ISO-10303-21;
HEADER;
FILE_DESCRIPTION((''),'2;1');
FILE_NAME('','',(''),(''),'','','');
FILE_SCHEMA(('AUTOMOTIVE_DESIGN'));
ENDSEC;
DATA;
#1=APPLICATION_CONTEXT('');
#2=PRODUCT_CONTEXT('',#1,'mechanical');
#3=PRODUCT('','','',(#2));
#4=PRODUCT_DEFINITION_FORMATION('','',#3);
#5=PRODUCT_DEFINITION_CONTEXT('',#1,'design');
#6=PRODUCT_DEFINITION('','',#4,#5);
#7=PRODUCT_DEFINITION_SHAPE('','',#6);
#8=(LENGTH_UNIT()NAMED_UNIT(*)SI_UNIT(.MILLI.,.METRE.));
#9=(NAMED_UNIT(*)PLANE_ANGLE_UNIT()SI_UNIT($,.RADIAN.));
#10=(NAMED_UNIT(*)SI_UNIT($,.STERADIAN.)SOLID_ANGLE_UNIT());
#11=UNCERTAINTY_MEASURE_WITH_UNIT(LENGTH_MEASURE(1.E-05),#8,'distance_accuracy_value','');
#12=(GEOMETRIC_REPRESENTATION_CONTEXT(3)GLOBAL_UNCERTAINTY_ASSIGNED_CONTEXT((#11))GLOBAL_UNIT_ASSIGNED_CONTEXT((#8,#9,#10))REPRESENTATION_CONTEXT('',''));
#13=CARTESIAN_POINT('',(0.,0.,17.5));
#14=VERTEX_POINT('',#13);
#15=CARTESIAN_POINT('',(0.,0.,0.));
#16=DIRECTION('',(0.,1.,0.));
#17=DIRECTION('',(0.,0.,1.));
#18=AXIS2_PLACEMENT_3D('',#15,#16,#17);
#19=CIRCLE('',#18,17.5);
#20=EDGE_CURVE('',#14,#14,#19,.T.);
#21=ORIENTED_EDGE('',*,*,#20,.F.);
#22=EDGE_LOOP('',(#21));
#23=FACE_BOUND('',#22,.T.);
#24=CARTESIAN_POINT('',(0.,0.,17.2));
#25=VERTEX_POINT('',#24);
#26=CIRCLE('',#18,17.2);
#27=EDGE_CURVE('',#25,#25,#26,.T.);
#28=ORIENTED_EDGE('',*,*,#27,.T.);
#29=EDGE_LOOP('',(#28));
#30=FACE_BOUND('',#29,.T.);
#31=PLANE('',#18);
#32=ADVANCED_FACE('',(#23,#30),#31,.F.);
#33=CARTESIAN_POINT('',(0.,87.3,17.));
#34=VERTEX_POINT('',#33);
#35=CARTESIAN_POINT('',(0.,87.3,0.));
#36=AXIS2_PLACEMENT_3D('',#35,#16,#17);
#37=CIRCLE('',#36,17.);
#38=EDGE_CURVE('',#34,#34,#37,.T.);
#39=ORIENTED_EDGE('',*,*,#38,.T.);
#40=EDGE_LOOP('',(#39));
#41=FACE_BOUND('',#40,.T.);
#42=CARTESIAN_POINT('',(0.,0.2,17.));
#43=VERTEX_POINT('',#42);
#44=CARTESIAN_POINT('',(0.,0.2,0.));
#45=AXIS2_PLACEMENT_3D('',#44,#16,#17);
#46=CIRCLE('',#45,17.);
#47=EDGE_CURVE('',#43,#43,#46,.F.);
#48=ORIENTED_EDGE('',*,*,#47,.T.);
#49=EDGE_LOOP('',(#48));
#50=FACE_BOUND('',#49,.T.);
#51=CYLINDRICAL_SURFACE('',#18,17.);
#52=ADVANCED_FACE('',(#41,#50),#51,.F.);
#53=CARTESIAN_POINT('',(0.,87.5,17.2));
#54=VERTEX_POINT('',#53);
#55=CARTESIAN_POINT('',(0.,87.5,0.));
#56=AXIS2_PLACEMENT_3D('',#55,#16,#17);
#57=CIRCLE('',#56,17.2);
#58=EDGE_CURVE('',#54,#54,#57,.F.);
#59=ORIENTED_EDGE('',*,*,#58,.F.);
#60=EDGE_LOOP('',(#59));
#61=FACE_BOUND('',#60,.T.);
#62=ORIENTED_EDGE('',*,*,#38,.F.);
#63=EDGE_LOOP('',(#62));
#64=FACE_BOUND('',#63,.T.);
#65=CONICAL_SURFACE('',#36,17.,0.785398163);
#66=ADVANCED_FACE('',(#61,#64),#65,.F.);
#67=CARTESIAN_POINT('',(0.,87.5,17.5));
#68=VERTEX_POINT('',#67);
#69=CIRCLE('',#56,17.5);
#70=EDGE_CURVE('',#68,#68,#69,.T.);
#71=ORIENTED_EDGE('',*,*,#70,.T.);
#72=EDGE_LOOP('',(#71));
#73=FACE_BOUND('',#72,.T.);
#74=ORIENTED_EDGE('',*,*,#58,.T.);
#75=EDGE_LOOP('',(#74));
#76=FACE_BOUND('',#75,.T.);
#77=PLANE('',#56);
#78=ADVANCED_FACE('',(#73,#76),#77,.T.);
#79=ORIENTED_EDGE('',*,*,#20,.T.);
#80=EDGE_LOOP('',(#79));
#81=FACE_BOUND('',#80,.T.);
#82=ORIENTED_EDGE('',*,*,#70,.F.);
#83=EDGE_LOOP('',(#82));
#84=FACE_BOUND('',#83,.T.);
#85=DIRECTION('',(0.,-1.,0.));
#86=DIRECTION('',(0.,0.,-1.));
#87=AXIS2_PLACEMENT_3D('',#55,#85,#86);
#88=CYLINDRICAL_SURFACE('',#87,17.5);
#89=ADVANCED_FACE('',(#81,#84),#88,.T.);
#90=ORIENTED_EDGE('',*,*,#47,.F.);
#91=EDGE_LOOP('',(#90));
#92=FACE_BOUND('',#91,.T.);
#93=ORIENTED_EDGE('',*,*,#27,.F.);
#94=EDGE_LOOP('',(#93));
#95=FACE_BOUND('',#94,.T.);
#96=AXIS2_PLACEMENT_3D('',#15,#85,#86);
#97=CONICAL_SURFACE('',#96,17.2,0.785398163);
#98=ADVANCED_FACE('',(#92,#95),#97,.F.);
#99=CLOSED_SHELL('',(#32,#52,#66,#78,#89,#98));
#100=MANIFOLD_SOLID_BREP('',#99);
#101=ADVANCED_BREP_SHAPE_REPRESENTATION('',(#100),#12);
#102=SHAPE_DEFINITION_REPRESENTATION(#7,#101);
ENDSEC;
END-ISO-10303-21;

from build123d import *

# Parameters (mm, degrees)
SKETCH1_R           = 17.5
BOSS_EXTRUDE1_DEPTH = 87.5
SKETCH2_R           = 17
CUT_EXTRUDE1_DEPTH  = 91.932667397
CHAMFER1_SIZE       = 0.2


with BuildPart() as part:
    # Sketch1 → Boss-Extrude1 (new body)
    with BuildSketch(Plane(origin=(0, 0, 0), x_dir=(1, 0, 0), z_dir=(0, 1, 0))):
        with Locations(Location((0, 0, 0), (0, 0, 270))):
            Circle(SKETCH1_R)
    extrude(amount=BOSS_EXTRUDE1_DEPTH)

    # Sketch2 → Cut-Extrude1 (cut, through all)
    with BuildSketch(Plane(origin=(0, 87.5, 0), x_dir=(1, 0, 0), z_dir=(0, 1, 0))):
        with Locations(Location((0, 0, 0), (0, 0, 270))):
            Circle(SKETCH2_R)
    extrude(amount=-CUT_EXTRUDE1_DEPTH, mode=Mode.SUBTRACT)

    # Chamfer1
    chamfer1_edges = [part.edges().sort_by_distance(p)[0] for p in [
        (0, 0, -17),
        (0, 87.5, -17),
    ]]
    chamfer(chamfer1_edges, length=CHAMFER1_SIZE)


solid = part.part
